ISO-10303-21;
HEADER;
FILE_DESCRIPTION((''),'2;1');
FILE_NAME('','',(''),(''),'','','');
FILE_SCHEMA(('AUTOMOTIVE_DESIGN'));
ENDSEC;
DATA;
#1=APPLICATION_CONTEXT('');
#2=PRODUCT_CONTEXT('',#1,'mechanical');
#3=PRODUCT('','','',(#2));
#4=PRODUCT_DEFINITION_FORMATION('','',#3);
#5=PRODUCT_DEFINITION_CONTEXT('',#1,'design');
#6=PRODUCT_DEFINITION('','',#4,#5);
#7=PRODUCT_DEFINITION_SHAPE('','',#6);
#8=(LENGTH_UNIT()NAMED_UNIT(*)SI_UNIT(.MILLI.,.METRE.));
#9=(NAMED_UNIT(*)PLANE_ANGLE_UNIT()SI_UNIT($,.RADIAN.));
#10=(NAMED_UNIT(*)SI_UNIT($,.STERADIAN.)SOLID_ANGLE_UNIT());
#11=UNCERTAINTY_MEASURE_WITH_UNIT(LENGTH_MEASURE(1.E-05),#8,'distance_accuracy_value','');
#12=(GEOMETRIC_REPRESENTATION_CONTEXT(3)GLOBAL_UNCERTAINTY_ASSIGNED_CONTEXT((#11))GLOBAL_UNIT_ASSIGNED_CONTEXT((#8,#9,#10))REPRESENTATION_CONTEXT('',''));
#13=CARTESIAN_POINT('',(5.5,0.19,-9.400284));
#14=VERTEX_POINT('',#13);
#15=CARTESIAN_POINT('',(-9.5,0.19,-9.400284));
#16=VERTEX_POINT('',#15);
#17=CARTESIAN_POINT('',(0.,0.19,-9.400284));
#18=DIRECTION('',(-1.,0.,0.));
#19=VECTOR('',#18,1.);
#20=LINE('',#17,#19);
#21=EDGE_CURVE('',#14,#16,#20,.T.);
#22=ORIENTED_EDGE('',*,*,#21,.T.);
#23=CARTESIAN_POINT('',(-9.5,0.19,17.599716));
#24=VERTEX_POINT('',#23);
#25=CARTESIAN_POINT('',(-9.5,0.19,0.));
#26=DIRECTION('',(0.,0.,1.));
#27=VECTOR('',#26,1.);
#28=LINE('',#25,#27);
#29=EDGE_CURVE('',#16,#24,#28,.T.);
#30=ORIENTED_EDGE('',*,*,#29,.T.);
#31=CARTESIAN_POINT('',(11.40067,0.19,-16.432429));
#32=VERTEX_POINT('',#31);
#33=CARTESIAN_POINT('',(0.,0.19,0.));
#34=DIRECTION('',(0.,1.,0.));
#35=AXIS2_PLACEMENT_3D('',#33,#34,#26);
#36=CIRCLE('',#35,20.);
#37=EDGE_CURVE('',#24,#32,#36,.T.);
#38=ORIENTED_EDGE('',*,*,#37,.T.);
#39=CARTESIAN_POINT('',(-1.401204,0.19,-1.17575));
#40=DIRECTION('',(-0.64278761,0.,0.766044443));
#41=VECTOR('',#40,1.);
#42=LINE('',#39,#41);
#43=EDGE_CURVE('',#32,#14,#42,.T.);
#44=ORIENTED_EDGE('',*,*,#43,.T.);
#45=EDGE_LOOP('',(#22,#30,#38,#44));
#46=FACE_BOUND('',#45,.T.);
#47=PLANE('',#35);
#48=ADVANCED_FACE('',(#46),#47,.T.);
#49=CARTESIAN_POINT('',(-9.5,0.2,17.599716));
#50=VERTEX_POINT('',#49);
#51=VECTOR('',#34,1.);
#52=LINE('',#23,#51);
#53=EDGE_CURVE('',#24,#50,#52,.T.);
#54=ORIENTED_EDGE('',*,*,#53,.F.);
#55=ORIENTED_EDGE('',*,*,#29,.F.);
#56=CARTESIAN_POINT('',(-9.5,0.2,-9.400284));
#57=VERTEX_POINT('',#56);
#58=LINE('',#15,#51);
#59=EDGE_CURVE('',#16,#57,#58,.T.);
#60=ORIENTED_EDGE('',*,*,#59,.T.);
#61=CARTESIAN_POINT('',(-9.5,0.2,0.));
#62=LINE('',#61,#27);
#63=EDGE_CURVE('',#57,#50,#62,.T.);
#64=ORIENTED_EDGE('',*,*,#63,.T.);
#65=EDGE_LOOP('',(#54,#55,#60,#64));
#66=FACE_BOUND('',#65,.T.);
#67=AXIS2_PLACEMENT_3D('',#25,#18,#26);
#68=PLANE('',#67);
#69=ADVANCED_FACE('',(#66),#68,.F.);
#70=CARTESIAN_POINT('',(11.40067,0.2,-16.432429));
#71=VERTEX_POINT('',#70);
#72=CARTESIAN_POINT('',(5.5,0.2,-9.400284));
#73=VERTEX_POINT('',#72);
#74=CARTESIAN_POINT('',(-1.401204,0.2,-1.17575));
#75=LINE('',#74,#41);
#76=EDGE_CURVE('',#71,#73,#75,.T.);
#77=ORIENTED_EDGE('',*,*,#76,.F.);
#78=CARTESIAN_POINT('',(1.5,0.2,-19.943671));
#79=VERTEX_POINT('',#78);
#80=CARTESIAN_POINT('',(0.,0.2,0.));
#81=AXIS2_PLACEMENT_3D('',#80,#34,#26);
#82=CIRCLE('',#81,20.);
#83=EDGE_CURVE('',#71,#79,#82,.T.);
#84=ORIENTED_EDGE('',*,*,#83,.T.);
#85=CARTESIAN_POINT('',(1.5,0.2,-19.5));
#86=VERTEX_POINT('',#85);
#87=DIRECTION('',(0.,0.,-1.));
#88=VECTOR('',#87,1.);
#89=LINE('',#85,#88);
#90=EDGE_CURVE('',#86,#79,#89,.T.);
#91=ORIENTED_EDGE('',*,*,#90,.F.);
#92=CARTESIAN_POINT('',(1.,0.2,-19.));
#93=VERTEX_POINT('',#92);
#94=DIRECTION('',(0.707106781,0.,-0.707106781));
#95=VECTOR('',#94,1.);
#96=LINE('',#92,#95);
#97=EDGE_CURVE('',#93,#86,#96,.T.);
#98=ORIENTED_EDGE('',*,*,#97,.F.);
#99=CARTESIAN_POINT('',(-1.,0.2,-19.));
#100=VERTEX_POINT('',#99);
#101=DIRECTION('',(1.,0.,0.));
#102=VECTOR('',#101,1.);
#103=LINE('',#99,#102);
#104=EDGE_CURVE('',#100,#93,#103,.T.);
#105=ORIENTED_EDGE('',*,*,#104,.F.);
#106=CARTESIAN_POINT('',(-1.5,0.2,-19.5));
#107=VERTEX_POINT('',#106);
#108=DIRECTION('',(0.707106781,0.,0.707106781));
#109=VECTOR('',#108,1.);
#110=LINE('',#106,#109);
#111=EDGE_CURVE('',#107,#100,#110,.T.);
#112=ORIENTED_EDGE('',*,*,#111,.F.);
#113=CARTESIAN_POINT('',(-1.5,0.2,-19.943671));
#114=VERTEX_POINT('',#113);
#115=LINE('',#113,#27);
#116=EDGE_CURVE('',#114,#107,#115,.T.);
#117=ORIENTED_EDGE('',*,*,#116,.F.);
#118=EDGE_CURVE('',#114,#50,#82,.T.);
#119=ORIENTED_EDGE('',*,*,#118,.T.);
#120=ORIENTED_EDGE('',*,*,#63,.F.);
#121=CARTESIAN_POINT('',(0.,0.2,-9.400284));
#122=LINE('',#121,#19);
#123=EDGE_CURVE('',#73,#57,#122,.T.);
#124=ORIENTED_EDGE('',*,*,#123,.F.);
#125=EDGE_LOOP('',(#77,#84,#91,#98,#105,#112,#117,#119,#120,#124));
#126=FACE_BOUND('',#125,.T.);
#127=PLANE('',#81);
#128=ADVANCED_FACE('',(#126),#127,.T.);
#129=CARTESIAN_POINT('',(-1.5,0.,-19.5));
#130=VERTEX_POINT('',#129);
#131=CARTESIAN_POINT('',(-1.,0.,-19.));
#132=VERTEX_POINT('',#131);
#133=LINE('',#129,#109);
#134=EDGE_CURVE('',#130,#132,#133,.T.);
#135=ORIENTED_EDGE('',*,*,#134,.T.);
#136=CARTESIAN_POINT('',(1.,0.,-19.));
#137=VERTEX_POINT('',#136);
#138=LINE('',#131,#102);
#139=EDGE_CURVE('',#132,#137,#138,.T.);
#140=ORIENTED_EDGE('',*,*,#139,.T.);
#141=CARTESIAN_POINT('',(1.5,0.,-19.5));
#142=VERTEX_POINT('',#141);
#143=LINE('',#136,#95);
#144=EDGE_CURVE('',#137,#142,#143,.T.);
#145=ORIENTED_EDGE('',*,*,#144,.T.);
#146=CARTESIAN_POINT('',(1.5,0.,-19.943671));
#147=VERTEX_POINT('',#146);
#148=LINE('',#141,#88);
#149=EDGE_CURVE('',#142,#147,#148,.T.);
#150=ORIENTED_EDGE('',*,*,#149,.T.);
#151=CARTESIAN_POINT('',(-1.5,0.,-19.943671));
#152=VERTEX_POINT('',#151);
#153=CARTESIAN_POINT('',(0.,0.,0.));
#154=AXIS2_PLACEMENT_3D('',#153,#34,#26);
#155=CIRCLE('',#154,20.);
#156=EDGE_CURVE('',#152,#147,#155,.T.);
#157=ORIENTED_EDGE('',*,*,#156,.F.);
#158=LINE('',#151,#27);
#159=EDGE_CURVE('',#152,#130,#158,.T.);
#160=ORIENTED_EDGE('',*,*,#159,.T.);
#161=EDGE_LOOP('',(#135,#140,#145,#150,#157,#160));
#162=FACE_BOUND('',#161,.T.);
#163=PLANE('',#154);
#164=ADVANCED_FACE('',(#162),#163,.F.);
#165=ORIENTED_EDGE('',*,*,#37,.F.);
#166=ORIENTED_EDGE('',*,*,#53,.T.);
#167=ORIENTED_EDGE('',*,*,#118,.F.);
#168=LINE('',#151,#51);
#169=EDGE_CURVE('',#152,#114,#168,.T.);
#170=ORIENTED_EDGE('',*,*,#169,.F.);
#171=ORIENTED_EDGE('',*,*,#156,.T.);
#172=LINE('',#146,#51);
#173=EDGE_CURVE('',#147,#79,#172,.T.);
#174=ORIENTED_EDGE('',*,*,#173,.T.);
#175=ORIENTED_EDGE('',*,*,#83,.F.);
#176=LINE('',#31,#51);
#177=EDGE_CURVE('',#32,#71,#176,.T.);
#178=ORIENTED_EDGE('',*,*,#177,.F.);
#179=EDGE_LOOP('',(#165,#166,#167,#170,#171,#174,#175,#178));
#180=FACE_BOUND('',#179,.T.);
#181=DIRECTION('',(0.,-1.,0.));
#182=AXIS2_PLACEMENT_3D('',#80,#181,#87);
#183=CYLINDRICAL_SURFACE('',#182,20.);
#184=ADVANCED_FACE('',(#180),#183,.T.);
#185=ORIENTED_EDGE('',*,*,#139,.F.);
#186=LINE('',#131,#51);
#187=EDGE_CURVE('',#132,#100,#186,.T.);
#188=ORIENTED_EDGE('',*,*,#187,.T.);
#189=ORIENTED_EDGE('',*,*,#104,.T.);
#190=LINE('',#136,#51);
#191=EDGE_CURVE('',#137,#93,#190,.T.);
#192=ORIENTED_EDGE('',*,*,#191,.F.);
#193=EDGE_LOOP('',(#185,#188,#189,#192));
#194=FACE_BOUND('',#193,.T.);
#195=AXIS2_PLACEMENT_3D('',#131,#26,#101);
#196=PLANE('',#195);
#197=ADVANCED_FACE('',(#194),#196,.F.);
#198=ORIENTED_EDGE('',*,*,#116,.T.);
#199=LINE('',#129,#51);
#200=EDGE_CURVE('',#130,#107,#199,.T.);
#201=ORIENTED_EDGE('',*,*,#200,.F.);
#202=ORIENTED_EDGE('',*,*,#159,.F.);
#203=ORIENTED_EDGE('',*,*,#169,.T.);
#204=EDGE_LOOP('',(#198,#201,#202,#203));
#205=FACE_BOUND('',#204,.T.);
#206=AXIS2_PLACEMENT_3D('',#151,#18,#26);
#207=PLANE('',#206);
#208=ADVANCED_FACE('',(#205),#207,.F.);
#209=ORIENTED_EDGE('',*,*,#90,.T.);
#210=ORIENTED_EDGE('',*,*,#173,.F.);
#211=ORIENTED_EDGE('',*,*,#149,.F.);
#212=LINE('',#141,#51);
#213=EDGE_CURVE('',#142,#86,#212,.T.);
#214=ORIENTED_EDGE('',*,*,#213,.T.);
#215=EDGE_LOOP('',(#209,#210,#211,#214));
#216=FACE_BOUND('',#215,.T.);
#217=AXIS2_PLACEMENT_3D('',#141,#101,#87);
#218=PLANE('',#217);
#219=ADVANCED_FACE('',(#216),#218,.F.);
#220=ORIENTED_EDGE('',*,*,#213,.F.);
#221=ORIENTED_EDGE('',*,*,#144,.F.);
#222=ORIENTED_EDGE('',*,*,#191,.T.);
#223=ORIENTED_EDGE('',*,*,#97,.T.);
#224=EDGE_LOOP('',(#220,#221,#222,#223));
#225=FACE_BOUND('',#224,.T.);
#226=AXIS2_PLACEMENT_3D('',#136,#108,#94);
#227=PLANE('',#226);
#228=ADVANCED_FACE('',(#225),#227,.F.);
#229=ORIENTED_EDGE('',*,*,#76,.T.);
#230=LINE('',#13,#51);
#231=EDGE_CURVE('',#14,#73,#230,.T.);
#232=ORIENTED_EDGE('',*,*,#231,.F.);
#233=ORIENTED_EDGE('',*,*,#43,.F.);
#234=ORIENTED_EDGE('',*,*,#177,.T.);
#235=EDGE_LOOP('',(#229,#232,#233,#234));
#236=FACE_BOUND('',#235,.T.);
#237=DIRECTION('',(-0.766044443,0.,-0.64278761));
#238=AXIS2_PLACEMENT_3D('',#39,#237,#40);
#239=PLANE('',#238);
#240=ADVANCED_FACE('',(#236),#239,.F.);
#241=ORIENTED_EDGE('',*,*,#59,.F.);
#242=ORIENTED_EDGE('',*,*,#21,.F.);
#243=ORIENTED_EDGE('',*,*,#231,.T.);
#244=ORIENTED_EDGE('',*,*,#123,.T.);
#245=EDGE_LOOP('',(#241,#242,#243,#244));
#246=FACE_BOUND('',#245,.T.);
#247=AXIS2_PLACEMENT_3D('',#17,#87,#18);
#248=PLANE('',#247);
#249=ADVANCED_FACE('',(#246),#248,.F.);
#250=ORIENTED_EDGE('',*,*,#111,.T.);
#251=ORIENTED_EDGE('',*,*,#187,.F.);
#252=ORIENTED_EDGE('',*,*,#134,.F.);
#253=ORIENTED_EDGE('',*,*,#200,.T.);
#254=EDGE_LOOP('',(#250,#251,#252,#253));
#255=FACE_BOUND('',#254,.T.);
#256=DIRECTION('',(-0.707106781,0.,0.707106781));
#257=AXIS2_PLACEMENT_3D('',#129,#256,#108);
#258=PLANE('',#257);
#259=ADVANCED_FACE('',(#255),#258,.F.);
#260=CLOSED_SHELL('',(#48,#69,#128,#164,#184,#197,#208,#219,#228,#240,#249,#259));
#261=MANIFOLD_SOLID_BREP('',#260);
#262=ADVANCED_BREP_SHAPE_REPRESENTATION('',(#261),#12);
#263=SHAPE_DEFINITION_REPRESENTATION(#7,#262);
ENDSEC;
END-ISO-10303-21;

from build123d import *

# Parameters (mm, degrees)
SKETCH1_R           = 20
BOSS_EXTRUDE1_DEPTH = 0.2
CUT_EXTRUDE1_DEPTH  = 29.284978345
CUT_EXTRUDE2_START  = -0.01
CUT_EXTRUDE2_DEPTH  = 0.01


with BuildPart() as part:
    # Sketch1 → Boss-Extrude1 (new body)
    with BuildSketch(Plane(origin=(0, 0, 0), x_dir=(1, 0, 0), z_dir=(0, 1, 0))):
        with Locations(Location((0, 0, 0), (0, 0, 270))):
            Circle(SKETCH1_R)
    extrude(amount=BOSS_EXTRUDE1_DEPTH)

    # Sketch2 → Cut-Extrude1 (cut, through all)
    with BuildSketch(Plane(origin=(0, 0.2, 0), x_dir=(1, 0, 0), z_dir=(0, 1, 0))):
        with BuildLine():
            Line((1.5, 19.5), (1.5, 19.943670675))
            ThreePointArc((1.5, 19.943670675), (0, 20), (-1.5, 19.943670675))
            Line((-1.5, 19.943670675), (-1.5, 19.5))
            Line((-1.5, 19.5), (-1, 19))
            Line((-1, 19), (1, 19))
            Line((1, 19), (1.5, 19.5))
        make_face()
    extrude(amount=-CUT_EXTRUDE1_DEPTH, mode=Mode.SUBTRACT)

    # Sketch3 → Cut-Extrude2 (cut)
    with BuildSketch(Plane(origin=(0, 0.2, 0), x_dir=(1, 0, 0), z_dir=(0, 1, 0)).offset(CUT_EXTRUDE2_START)):
        with BuildLine():
            ThreePointArc((-9.5, -17.599715907), (17.042589511, -10.466620408), (11.400670136, 16.432428927))
            Line((11.400670136, 16.432428927), (5.5, 9.400284093))
            Line((5.5, 9.400284093), (-9.5, 9.400284093))
            Line((-9.5, 9.400284093), (-9.5, -17.599715907))
        make_face()
    extrude(amount=CUT_EXTRUDE2_DEPTH, mode=Mode.SUBTRACT)


solid = part.part
